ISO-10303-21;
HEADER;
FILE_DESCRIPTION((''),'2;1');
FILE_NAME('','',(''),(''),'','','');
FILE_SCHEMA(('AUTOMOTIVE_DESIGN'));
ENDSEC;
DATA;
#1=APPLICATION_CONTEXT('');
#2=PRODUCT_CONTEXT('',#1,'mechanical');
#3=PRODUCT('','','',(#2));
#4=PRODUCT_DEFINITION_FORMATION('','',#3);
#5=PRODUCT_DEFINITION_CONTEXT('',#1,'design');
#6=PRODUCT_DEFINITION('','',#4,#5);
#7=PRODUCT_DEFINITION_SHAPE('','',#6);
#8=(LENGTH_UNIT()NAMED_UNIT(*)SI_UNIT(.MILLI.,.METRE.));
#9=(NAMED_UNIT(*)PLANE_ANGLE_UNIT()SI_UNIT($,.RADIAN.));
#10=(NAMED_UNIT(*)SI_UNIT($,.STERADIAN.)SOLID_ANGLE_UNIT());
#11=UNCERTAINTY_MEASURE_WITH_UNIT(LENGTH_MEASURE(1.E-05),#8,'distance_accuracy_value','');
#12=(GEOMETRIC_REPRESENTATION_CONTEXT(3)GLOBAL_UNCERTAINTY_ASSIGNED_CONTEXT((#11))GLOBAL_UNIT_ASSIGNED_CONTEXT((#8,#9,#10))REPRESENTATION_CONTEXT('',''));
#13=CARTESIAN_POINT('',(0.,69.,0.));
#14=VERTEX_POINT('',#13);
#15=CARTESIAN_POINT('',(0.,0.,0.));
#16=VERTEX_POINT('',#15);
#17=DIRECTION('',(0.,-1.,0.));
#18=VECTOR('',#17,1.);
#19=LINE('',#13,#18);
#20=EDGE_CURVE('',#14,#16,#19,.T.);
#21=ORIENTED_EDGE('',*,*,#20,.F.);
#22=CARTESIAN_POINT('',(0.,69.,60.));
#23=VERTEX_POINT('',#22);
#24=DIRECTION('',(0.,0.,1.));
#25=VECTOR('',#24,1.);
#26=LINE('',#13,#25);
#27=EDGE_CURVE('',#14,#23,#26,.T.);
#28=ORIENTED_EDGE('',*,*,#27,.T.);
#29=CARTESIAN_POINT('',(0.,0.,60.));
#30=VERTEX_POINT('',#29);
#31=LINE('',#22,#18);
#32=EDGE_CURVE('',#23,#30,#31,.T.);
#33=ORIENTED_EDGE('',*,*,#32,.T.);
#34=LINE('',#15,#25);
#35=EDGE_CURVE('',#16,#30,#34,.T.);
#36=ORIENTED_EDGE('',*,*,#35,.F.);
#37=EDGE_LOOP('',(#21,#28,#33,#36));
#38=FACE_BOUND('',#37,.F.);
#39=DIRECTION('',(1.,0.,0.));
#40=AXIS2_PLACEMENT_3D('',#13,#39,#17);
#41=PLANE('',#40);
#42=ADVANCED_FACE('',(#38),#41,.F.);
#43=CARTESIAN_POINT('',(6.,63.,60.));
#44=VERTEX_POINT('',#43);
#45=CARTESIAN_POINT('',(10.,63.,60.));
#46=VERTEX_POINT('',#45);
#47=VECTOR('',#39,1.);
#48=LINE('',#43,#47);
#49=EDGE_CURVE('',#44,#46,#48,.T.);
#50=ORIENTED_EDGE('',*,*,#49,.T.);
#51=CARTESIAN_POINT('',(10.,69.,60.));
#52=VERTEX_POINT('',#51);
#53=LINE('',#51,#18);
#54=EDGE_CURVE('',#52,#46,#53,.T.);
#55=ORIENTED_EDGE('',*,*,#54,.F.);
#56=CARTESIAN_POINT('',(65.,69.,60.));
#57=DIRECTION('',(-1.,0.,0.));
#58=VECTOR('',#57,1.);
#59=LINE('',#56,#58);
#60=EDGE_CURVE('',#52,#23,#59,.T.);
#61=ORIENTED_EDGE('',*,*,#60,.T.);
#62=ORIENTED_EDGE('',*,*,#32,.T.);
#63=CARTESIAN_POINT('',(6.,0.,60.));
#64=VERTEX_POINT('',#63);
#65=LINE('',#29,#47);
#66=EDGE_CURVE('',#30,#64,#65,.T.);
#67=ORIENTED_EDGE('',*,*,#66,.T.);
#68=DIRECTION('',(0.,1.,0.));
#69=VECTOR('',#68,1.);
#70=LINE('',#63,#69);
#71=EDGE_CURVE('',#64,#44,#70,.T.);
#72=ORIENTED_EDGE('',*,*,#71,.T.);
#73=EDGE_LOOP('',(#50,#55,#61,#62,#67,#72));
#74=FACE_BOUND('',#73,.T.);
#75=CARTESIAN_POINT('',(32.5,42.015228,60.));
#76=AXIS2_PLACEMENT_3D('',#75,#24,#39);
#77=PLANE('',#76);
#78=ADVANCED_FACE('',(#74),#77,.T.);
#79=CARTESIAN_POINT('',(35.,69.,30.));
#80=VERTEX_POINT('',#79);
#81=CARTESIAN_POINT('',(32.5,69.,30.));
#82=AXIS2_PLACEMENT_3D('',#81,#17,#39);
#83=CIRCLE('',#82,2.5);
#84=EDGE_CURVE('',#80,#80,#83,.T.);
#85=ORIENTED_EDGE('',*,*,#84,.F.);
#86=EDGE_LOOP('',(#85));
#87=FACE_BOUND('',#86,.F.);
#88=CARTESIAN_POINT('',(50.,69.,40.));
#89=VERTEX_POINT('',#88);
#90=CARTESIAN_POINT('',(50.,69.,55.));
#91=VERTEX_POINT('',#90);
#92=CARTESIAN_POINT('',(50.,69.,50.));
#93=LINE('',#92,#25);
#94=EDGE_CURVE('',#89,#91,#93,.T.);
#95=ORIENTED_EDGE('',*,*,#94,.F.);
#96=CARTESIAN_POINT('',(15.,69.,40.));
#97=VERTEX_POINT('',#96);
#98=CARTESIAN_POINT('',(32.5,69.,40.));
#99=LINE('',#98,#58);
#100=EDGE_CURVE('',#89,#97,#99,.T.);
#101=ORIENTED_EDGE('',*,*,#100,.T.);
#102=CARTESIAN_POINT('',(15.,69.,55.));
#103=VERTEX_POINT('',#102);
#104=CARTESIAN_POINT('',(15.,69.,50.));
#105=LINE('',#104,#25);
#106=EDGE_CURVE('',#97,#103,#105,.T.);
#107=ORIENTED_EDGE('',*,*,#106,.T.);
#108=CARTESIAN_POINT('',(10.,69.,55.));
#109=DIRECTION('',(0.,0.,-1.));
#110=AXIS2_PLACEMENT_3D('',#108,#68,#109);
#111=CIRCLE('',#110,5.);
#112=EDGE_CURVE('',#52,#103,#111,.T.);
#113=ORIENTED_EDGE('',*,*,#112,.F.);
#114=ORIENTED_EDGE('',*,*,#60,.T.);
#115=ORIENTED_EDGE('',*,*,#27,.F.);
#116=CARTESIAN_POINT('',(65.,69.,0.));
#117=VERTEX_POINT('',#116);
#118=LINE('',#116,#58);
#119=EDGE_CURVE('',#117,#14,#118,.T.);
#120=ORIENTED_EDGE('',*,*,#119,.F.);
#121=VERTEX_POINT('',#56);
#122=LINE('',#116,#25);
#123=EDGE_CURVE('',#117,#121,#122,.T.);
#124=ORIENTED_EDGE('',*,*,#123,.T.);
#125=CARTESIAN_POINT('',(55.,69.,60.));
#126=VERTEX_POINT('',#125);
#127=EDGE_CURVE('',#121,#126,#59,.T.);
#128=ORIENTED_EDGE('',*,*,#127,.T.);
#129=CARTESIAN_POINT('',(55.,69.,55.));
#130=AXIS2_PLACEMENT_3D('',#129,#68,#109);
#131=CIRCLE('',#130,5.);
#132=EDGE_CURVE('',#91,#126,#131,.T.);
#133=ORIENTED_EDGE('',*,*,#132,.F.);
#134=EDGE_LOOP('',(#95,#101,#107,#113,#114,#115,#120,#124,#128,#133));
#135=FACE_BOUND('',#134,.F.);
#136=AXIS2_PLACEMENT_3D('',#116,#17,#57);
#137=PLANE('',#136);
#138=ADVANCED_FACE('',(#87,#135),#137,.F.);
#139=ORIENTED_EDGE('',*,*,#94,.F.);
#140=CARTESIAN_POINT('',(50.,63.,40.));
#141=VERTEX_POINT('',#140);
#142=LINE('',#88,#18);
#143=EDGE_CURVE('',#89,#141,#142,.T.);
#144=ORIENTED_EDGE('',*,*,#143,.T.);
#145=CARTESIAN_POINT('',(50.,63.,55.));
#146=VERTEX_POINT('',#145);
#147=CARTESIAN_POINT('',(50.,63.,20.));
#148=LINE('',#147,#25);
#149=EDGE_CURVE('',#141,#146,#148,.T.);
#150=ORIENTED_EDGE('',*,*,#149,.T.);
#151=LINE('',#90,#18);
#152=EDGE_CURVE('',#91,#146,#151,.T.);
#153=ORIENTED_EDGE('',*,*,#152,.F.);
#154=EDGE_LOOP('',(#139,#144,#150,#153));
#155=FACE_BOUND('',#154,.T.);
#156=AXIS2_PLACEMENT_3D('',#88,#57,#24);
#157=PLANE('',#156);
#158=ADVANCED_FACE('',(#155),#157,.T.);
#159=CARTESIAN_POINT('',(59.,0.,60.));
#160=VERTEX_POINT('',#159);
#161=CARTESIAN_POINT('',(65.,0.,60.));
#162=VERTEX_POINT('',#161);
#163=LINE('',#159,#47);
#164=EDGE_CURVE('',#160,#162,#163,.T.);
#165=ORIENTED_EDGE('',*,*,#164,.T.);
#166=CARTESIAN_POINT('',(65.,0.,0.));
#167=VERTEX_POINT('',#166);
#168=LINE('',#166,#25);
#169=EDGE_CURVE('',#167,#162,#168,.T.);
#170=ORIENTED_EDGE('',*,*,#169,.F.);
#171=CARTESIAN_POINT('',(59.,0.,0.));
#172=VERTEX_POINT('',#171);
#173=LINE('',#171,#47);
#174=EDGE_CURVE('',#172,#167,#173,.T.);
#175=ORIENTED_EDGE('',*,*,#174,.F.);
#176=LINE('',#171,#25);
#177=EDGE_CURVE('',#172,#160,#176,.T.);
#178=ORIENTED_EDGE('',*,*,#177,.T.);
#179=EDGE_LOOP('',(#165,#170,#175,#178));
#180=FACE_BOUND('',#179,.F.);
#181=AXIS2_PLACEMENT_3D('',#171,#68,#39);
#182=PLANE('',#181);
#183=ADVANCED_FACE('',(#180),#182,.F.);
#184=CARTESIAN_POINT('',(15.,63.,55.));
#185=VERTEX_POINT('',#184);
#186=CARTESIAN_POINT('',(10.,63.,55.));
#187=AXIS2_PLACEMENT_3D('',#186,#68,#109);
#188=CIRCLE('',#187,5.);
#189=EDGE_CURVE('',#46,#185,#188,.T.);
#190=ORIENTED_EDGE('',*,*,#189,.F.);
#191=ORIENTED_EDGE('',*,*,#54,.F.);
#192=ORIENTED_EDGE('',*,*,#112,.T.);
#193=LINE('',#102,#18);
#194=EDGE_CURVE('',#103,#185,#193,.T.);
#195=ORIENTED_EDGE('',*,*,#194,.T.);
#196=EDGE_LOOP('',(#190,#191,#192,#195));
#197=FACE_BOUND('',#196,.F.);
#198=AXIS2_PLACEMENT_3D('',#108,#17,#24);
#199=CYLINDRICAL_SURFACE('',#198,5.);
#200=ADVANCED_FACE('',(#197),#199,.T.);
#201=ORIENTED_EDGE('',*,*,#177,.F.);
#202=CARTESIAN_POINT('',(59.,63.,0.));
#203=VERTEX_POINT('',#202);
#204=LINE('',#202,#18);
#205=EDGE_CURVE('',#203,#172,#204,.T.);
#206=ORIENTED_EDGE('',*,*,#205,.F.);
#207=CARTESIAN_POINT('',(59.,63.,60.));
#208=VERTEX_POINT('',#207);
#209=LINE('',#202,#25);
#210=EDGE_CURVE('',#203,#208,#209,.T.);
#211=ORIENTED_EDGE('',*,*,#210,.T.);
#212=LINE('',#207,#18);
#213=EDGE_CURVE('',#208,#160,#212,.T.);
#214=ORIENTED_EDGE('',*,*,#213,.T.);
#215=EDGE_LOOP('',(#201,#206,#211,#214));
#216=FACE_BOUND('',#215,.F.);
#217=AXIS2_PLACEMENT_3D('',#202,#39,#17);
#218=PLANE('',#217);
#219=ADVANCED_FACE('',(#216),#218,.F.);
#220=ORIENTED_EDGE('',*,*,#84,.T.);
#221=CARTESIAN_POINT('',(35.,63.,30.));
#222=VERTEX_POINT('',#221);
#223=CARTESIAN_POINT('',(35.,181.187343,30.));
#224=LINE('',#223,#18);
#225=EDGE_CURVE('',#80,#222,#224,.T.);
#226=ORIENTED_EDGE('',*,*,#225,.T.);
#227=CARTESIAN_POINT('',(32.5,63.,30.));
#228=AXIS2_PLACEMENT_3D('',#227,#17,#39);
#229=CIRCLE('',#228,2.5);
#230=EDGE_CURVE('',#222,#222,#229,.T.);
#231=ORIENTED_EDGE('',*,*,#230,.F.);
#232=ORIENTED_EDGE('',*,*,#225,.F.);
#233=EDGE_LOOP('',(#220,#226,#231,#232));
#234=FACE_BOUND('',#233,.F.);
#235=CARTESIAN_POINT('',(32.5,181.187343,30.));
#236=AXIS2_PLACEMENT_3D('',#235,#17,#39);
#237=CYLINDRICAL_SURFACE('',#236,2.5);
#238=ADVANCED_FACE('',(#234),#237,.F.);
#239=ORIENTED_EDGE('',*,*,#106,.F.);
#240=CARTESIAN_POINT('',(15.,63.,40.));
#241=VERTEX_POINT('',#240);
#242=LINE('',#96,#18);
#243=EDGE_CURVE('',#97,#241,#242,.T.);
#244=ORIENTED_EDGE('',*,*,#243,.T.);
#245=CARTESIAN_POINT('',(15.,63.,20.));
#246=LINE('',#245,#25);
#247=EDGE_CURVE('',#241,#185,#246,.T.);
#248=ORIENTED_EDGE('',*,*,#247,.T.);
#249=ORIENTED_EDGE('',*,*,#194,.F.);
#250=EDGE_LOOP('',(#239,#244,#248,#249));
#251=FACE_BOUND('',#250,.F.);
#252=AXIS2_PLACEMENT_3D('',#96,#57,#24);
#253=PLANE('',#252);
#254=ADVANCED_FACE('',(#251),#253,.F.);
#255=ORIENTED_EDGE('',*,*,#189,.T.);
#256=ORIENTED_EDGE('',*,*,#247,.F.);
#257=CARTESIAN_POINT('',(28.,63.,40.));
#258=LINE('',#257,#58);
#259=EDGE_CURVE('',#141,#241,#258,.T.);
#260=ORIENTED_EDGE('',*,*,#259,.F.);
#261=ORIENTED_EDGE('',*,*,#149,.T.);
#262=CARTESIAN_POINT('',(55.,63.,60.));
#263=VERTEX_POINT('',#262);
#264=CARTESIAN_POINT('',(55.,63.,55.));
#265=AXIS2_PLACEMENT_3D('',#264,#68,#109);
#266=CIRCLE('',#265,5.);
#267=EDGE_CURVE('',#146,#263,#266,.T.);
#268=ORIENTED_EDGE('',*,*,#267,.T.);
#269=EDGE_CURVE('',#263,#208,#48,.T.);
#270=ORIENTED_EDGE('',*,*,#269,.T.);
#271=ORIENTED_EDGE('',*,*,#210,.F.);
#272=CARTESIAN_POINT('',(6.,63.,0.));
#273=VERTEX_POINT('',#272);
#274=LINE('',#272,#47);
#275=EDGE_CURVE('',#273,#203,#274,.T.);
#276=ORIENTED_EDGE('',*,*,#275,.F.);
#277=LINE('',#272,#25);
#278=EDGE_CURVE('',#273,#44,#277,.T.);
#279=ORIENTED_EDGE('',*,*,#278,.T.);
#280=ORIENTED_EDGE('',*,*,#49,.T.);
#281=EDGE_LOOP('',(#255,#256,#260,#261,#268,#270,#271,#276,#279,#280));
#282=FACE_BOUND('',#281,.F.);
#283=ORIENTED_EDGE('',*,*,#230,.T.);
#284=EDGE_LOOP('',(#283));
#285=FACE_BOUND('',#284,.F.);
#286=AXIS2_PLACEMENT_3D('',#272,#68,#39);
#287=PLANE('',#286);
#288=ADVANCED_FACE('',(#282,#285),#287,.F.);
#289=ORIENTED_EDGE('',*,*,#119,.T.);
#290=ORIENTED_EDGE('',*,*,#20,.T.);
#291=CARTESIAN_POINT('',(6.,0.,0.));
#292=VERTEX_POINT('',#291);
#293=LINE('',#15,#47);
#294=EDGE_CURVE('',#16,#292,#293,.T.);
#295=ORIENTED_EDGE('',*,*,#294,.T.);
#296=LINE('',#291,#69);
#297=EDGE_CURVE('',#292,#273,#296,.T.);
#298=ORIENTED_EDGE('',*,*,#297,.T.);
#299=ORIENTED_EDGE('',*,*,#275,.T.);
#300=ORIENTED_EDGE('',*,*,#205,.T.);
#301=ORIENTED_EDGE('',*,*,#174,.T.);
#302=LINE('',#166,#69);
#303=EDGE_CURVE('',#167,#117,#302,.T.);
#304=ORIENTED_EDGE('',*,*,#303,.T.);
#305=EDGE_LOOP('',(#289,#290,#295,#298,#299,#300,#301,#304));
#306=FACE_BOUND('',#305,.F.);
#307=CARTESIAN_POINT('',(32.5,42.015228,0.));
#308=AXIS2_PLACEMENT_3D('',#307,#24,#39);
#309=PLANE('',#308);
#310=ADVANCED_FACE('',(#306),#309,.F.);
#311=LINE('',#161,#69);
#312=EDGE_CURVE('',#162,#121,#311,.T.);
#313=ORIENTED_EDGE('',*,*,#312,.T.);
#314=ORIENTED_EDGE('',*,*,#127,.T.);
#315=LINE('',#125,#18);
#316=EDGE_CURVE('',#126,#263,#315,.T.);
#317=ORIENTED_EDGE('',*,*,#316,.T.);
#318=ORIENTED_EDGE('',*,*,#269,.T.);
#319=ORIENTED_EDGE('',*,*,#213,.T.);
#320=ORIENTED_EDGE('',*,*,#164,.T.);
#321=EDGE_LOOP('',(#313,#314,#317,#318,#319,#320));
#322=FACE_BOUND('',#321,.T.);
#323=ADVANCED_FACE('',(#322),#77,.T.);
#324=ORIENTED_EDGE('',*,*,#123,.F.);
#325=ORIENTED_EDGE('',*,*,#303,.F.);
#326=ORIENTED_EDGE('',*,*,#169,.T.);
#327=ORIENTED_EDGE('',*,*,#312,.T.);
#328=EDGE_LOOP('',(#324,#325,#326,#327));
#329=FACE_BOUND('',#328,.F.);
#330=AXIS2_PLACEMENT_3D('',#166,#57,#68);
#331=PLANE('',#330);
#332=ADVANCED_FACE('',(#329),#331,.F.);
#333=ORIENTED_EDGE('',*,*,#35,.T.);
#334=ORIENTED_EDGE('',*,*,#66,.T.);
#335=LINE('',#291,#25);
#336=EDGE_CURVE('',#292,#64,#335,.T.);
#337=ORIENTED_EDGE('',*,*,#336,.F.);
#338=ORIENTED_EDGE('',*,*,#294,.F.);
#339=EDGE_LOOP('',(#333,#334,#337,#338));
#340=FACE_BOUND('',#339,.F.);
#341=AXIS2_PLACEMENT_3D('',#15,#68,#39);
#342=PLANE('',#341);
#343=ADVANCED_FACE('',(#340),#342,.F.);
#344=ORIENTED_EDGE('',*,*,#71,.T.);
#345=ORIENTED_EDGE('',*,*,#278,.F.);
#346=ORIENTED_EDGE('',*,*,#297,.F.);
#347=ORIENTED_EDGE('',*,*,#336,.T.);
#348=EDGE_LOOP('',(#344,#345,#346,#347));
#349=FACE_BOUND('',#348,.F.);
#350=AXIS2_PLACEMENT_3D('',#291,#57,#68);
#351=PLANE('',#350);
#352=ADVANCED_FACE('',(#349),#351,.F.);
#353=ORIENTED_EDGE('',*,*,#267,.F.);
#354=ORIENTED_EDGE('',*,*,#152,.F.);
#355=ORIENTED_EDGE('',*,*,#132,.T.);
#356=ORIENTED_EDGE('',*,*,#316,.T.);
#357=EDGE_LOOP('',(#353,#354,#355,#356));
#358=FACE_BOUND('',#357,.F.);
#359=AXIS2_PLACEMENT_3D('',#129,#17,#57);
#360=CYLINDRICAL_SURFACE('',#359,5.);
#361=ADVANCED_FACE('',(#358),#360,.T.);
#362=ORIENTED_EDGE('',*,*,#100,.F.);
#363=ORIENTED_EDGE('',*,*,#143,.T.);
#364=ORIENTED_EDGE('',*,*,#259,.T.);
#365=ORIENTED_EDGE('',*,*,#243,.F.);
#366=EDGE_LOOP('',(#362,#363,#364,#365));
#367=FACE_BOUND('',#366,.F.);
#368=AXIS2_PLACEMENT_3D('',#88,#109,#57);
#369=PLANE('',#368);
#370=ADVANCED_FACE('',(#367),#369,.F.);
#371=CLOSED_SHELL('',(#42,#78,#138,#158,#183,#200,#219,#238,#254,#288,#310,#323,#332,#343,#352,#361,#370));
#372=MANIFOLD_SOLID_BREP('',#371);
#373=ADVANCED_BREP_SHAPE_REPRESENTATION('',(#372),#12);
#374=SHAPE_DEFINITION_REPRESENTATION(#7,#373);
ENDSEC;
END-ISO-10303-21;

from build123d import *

# Parameters (mm, degrees)
F1_DEPTH = 60
F3_D     = 5
F4_W     = 35
F4_H     = 20
F5_DEPTH = 25
F6_R     = 5


with BuildPart() as f1:
    # F0 (on Top) → F1 (new body)
    with BuildSketch(Plane.XY):
        Polygon((0, 69), (0, 0), (6, 0), (6, 63), (59, 63), (59, 0), (65, 0), (65, 69), align=None)
    extrude(amount=F1_DEPTH)

    # F3 (through all)
    with Locations(Plane(origin=(0, 69, 0), x_dir=(-1, 0, 0), z_dir=(0, 1, 0))):
        with Locations((-32.5, 30)):
            Hole(F3_D / 2)

    # F4 (on face) → F5 (cut)
    with BuildSketch(Plane(origin=(0, 69, 0), x_dir=(-1, 0, 0), z_dir=(0, 1, 0))):
        with Locations((-32.5, 50)):
            Rectangle(F4_W, F4_H)
    extrude(amount=-F5_DEPTH, mode=Mode.SUBTRACT)

    # F6
    f6_edges = [f1.edges().sort_by_distance(p)[0] for p in [
        (15, 66, 60),
        (50, 66, 60),
    ]]
    fillet(f6_edges, radius=F6_R)


solid = f1.part
